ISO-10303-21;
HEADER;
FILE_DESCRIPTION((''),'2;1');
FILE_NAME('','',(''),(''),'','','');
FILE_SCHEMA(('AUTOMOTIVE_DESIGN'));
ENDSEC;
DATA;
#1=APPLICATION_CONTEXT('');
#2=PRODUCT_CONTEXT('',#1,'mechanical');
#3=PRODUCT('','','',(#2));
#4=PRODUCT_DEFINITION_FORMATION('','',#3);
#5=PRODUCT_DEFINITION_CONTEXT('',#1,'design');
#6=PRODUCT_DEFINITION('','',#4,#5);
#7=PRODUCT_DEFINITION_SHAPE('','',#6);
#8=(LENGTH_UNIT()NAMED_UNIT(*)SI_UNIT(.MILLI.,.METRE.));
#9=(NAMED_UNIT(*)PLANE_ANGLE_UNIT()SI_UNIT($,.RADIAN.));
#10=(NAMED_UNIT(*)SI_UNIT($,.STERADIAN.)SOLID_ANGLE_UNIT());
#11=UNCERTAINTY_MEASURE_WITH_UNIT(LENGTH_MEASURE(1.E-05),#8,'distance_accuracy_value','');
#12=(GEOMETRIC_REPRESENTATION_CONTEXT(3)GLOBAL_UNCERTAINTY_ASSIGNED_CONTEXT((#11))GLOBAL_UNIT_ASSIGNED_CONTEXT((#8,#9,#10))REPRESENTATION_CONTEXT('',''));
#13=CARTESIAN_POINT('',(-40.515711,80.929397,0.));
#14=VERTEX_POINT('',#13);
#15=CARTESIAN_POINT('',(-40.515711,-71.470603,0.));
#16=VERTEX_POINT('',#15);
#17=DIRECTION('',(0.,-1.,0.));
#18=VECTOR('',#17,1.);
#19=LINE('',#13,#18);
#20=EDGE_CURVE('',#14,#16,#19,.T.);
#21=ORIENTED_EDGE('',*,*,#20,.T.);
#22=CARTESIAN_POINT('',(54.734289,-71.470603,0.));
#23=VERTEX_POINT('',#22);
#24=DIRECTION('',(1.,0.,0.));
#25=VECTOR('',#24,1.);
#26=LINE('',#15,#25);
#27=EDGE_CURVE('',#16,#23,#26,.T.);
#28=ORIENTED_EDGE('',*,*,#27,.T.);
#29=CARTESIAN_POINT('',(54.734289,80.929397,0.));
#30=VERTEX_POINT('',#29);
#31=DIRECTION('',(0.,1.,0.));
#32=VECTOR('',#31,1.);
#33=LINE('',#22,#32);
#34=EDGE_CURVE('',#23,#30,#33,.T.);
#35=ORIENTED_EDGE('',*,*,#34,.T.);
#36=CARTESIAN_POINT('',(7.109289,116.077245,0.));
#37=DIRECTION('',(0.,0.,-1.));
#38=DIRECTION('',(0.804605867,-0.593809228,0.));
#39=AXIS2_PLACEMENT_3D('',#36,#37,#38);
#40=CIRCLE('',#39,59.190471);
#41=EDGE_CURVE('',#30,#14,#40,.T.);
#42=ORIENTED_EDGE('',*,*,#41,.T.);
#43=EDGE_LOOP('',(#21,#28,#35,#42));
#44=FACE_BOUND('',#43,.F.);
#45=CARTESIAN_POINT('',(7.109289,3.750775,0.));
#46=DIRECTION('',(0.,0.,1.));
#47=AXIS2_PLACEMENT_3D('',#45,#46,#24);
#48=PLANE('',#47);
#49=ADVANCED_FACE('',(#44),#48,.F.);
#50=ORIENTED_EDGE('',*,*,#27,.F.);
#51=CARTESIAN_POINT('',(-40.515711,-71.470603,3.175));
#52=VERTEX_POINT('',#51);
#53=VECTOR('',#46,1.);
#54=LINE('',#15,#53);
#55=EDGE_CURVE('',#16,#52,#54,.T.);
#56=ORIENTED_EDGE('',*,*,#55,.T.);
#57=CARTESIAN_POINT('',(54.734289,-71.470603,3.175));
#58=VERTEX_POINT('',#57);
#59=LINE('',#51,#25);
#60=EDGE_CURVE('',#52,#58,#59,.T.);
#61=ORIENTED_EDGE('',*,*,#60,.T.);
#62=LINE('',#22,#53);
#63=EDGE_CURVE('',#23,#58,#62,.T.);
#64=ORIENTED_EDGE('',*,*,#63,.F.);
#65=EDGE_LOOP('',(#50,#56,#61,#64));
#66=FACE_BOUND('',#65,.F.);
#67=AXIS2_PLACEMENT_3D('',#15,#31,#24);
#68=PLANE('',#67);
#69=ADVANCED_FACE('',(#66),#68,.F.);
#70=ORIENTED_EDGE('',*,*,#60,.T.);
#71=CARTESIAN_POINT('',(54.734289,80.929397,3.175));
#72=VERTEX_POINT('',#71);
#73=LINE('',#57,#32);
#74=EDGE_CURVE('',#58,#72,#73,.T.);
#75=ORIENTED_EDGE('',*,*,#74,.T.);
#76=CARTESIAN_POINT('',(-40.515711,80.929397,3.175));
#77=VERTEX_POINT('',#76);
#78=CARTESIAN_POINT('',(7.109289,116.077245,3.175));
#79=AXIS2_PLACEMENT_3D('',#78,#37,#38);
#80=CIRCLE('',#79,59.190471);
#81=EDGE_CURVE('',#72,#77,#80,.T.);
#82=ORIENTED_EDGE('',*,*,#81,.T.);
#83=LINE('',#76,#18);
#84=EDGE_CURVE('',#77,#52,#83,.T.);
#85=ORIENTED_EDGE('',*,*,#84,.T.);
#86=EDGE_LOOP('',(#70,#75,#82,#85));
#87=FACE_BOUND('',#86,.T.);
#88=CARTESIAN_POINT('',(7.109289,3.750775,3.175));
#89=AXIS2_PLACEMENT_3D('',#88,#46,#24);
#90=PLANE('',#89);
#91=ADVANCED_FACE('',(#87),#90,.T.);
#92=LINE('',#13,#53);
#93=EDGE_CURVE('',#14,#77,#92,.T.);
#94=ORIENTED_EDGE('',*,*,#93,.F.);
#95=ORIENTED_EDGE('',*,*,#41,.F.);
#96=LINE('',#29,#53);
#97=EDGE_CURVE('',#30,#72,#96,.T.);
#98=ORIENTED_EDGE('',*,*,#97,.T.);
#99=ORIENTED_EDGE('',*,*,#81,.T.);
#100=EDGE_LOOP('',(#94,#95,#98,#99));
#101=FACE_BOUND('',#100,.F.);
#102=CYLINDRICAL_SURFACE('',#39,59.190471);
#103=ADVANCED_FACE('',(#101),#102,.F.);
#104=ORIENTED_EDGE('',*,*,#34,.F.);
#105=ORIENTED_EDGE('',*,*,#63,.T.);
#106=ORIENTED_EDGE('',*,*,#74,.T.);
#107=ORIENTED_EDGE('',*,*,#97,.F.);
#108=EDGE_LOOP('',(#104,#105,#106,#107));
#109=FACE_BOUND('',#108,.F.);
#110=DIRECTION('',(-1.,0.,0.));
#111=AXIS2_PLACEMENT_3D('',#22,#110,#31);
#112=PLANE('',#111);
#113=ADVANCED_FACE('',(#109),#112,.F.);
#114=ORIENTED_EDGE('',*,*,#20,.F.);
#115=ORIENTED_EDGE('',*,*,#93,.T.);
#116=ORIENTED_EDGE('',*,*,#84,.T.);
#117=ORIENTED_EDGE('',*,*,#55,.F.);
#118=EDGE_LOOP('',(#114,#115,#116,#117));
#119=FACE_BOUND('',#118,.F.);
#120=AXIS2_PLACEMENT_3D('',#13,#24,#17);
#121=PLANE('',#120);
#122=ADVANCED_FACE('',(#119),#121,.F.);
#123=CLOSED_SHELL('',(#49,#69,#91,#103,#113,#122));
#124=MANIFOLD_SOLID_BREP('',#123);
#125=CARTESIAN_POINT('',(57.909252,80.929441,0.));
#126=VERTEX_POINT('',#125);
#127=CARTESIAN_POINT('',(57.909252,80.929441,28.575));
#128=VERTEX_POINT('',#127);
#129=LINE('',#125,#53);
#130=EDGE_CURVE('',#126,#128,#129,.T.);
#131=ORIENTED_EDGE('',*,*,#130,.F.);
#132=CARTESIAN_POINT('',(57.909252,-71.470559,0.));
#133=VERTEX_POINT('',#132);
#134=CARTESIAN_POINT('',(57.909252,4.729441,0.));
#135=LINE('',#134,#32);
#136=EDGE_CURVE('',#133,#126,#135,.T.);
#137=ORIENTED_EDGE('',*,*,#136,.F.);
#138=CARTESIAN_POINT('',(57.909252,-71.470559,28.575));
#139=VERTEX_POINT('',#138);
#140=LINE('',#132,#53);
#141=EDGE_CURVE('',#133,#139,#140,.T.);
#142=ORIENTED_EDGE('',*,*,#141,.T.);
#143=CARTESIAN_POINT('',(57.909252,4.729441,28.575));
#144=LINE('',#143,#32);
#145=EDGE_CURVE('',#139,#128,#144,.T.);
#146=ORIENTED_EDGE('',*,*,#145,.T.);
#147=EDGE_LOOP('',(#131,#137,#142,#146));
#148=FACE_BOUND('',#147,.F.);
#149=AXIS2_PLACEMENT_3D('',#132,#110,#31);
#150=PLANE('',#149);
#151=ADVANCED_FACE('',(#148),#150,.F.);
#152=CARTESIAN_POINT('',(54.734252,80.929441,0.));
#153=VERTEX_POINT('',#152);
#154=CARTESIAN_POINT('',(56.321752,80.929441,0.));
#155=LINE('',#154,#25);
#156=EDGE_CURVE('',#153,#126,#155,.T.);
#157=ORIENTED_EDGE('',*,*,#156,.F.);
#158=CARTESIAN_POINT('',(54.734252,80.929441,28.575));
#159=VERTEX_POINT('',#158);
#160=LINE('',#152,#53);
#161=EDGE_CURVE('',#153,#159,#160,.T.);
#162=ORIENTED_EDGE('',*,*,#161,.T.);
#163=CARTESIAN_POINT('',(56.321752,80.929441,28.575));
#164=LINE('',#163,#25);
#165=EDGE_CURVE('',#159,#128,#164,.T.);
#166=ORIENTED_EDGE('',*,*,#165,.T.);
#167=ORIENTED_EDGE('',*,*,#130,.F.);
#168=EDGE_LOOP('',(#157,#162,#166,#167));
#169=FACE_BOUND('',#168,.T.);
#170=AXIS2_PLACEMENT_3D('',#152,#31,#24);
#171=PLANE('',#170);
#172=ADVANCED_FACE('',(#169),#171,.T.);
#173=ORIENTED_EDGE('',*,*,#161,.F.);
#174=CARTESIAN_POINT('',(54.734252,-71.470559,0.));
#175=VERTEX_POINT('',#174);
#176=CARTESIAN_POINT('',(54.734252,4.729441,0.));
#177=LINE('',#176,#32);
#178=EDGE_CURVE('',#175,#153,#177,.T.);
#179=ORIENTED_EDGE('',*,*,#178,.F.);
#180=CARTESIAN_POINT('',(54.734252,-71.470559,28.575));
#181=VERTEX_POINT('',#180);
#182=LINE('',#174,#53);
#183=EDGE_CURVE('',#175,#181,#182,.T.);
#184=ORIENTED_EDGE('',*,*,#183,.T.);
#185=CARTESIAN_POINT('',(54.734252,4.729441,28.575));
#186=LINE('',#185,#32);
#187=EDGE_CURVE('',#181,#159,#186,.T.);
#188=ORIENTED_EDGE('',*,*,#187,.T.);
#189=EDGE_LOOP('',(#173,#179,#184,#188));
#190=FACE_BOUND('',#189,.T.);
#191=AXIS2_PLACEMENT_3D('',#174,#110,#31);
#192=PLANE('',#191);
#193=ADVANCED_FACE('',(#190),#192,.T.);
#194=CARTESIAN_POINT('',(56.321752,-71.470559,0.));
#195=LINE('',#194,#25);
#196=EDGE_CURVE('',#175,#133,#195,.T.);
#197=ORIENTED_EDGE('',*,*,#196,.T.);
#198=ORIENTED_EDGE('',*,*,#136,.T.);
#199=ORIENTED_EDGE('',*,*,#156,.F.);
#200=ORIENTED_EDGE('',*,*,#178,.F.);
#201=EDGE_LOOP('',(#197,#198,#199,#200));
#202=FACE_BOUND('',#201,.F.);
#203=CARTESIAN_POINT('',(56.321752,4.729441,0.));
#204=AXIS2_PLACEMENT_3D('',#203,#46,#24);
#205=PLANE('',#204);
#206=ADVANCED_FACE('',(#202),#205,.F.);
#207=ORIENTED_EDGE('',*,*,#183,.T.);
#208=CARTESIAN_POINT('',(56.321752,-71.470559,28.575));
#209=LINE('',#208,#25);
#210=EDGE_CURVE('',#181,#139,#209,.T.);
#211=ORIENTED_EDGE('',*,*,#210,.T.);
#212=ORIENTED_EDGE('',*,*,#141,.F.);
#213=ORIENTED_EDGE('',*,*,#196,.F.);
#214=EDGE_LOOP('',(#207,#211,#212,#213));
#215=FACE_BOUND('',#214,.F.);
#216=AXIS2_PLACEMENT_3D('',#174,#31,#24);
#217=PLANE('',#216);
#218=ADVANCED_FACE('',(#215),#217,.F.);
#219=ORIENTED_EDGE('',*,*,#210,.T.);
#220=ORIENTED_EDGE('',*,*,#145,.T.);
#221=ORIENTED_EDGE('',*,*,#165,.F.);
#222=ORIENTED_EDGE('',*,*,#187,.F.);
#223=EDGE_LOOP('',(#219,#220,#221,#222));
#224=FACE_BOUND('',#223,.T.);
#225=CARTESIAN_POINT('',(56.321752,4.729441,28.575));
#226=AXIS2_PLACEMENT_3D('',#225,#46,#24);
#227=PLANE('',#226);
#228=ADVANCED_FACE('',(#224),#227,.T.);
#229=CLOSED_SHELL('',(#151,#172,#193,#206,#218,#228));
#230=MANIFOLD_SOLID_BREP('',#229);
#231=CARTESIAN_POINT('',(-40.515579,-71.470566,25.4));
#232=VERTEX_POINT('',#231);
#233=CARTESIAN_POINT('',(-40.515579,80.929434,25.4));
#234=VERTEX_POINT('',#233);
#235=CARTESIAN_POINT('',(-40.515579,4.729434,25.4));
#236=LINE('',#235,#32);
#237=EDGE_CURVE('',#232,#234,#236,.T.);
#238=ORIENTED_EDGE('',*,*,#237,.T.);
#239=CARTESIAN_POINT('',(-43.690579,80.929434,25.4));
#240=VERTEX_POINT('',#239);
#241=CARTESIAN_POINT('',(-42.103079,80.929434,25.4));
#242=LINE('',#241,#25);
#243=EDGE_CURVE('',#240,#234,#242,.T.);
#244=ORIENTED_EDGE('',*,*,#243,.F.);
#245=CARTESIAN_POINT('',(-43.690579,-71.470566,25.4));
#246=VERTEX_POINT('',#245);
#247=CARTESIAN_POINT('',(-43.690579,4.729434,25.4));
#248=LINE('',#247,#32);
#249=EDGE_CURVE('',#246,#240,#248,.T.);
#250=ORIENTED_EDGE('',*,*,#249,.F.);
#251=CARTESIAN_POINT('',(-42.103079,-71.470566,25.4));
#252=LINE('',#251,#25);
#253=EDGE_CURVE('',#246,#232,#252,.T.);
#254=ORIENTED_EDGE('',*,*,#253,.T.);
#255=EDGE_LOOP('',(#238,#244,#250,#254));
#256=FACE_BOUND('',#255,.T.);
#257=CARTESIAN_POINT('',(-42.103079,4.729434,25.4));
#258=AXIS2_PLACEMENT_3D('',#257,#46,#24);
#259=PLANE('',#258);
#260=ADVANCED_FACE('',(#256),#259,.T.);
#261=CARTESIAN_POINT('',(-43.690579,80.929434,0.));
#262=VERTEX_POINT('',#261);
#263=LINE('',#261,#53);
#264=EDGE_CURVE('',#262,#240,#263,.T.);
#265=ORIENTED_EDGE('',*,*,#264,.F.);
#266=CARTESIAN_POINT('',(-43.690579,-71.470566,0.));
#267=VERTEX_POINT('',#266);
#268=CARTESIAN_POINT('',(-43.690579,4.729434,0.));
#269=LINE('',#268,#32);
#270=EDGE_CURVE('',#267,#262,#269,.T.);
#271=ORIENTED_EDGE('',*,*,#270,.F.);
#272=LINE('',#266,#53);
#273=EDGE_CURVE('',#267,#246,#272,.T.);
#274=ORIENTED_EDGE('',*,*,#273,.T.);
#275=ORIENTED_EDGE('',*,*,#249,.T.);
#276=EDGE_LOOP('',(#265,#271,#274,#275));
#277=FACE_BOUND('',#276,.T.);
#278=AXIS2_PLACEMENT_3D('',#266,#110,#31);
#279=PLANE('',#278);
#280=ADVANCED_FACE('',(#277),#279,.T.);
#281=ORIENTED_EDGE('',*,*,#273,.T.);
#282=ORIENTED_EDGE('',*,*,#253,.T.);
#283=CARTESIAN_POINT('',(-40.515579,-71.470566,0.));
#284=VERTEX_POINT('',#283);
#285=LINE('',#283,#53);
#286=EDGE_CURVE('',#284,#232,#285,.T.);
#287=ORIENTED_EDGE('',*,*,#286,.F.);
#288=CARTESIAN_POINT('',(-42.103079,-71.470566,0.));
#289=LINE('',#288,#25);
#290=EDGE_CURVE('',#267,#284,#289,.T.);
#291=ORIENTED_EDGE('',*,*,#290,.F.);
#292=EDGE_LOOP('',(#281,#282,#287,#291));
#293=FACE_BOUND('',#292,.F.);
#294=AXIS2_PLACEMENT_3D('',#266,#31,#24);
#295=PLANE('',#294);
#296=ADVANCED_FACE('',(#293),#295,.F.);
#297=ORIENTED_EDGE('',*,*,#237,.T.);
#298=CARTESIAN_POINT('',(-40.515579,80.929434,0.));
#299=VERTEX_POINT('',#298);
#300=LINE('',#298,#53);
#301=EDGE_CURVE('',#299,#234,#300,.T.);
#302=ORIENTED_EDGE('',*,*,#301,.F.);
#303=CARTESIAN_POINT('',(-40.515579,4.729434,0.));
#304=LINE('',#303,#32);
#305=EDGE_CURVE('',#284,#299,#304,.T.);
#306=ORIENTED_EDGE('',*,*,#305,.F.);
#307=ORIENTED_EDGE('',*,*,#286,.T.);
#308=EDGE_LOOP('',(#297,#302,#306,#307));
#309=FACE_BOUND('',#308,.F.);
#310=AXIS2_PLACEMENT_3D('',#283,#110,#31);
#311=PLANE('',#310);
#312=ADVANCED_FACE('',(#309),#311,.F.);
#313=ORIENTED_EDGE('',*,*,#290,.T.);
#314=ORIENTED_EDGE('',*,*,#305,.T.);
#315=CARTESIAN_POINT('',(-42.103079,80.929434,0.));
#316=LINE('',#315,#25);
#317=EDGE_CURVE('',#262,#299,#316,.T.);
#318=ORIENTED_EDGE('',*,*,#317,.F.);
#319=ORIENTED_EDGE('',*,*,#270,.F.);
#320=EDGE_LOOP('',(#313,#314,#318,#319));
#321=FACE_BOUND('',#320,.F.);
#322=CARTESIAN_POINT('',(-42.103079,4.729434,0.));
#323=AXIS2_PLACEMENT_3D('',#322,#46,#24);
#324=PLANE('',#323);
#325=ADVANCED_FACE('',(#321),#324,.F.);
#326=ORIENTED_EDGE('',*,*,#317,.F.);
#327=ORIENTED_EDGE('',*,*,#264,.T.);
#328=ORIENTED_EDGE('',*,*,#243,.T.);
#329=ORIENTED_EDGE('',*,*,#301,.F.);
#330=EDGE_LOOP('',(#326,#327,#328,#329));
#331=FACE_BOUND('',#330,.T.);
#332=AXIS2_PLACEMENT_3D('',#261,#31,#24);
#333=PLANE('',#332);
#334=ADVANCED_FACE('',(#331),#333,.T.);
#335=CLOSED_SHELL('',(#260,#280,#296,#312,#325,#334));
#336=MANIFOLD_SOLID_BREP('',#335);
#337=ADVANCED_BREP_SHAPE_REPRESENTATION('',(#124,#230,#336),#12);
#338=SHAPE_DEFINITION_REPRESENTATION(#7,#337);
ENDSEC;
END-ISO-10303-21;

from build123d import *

# Parameters (mm, degrees)
F1_DEPTH = 3.175
F2_W     = 3.175
F2_H     = 152.4
F3_DEPTH = 28.575
F4_DEPTH = 25.4


with BuildPart() as f1:
    # F0 (on Top) → F1 (new body)
    with BuildSketch(Plane.XY):
        with BuildLine():
            Line((-40.515711, -68.295603), (-40.515711, -71.470603))
            Line((-40.515711, -71.470603), (54.734289, -71.470603))
            Line((54.734289, -71.470603), (54.734289, -63.526561))
            Line((54.734289, -63.526561), (54.734289, 80.929397))
            ThreePointArc((54.734289, 80.929397), (7.109289, 56.886774), (-40.515711, 80.929397))
            Line((-40.515711, 80.929397), (-40.515711, -68.295603))
        make_face()
    extrude(amount=F1_DEPTH)


with BuildPart() as f3:
    # F2 (on Top) → F3 (new body)
    with BuildSketch(Plane.XY):
        with Locations((56.321752, 4.729441)):
            Rectangle(F2_W, F2_H)
    extrude(amount=F3_DEPTH)


with BuildPart() as f4:
    # F2 (on Top) → F4 (new body)
    with BuildSketch(Plane.XY):
        with Locations((-42.103079, 4.729434)):
            Rectangle(F2_W, F2_H)
    extrude(amount=F4_DEPTH)


solid = Compound([f1.part, f3.part, f4.part])
